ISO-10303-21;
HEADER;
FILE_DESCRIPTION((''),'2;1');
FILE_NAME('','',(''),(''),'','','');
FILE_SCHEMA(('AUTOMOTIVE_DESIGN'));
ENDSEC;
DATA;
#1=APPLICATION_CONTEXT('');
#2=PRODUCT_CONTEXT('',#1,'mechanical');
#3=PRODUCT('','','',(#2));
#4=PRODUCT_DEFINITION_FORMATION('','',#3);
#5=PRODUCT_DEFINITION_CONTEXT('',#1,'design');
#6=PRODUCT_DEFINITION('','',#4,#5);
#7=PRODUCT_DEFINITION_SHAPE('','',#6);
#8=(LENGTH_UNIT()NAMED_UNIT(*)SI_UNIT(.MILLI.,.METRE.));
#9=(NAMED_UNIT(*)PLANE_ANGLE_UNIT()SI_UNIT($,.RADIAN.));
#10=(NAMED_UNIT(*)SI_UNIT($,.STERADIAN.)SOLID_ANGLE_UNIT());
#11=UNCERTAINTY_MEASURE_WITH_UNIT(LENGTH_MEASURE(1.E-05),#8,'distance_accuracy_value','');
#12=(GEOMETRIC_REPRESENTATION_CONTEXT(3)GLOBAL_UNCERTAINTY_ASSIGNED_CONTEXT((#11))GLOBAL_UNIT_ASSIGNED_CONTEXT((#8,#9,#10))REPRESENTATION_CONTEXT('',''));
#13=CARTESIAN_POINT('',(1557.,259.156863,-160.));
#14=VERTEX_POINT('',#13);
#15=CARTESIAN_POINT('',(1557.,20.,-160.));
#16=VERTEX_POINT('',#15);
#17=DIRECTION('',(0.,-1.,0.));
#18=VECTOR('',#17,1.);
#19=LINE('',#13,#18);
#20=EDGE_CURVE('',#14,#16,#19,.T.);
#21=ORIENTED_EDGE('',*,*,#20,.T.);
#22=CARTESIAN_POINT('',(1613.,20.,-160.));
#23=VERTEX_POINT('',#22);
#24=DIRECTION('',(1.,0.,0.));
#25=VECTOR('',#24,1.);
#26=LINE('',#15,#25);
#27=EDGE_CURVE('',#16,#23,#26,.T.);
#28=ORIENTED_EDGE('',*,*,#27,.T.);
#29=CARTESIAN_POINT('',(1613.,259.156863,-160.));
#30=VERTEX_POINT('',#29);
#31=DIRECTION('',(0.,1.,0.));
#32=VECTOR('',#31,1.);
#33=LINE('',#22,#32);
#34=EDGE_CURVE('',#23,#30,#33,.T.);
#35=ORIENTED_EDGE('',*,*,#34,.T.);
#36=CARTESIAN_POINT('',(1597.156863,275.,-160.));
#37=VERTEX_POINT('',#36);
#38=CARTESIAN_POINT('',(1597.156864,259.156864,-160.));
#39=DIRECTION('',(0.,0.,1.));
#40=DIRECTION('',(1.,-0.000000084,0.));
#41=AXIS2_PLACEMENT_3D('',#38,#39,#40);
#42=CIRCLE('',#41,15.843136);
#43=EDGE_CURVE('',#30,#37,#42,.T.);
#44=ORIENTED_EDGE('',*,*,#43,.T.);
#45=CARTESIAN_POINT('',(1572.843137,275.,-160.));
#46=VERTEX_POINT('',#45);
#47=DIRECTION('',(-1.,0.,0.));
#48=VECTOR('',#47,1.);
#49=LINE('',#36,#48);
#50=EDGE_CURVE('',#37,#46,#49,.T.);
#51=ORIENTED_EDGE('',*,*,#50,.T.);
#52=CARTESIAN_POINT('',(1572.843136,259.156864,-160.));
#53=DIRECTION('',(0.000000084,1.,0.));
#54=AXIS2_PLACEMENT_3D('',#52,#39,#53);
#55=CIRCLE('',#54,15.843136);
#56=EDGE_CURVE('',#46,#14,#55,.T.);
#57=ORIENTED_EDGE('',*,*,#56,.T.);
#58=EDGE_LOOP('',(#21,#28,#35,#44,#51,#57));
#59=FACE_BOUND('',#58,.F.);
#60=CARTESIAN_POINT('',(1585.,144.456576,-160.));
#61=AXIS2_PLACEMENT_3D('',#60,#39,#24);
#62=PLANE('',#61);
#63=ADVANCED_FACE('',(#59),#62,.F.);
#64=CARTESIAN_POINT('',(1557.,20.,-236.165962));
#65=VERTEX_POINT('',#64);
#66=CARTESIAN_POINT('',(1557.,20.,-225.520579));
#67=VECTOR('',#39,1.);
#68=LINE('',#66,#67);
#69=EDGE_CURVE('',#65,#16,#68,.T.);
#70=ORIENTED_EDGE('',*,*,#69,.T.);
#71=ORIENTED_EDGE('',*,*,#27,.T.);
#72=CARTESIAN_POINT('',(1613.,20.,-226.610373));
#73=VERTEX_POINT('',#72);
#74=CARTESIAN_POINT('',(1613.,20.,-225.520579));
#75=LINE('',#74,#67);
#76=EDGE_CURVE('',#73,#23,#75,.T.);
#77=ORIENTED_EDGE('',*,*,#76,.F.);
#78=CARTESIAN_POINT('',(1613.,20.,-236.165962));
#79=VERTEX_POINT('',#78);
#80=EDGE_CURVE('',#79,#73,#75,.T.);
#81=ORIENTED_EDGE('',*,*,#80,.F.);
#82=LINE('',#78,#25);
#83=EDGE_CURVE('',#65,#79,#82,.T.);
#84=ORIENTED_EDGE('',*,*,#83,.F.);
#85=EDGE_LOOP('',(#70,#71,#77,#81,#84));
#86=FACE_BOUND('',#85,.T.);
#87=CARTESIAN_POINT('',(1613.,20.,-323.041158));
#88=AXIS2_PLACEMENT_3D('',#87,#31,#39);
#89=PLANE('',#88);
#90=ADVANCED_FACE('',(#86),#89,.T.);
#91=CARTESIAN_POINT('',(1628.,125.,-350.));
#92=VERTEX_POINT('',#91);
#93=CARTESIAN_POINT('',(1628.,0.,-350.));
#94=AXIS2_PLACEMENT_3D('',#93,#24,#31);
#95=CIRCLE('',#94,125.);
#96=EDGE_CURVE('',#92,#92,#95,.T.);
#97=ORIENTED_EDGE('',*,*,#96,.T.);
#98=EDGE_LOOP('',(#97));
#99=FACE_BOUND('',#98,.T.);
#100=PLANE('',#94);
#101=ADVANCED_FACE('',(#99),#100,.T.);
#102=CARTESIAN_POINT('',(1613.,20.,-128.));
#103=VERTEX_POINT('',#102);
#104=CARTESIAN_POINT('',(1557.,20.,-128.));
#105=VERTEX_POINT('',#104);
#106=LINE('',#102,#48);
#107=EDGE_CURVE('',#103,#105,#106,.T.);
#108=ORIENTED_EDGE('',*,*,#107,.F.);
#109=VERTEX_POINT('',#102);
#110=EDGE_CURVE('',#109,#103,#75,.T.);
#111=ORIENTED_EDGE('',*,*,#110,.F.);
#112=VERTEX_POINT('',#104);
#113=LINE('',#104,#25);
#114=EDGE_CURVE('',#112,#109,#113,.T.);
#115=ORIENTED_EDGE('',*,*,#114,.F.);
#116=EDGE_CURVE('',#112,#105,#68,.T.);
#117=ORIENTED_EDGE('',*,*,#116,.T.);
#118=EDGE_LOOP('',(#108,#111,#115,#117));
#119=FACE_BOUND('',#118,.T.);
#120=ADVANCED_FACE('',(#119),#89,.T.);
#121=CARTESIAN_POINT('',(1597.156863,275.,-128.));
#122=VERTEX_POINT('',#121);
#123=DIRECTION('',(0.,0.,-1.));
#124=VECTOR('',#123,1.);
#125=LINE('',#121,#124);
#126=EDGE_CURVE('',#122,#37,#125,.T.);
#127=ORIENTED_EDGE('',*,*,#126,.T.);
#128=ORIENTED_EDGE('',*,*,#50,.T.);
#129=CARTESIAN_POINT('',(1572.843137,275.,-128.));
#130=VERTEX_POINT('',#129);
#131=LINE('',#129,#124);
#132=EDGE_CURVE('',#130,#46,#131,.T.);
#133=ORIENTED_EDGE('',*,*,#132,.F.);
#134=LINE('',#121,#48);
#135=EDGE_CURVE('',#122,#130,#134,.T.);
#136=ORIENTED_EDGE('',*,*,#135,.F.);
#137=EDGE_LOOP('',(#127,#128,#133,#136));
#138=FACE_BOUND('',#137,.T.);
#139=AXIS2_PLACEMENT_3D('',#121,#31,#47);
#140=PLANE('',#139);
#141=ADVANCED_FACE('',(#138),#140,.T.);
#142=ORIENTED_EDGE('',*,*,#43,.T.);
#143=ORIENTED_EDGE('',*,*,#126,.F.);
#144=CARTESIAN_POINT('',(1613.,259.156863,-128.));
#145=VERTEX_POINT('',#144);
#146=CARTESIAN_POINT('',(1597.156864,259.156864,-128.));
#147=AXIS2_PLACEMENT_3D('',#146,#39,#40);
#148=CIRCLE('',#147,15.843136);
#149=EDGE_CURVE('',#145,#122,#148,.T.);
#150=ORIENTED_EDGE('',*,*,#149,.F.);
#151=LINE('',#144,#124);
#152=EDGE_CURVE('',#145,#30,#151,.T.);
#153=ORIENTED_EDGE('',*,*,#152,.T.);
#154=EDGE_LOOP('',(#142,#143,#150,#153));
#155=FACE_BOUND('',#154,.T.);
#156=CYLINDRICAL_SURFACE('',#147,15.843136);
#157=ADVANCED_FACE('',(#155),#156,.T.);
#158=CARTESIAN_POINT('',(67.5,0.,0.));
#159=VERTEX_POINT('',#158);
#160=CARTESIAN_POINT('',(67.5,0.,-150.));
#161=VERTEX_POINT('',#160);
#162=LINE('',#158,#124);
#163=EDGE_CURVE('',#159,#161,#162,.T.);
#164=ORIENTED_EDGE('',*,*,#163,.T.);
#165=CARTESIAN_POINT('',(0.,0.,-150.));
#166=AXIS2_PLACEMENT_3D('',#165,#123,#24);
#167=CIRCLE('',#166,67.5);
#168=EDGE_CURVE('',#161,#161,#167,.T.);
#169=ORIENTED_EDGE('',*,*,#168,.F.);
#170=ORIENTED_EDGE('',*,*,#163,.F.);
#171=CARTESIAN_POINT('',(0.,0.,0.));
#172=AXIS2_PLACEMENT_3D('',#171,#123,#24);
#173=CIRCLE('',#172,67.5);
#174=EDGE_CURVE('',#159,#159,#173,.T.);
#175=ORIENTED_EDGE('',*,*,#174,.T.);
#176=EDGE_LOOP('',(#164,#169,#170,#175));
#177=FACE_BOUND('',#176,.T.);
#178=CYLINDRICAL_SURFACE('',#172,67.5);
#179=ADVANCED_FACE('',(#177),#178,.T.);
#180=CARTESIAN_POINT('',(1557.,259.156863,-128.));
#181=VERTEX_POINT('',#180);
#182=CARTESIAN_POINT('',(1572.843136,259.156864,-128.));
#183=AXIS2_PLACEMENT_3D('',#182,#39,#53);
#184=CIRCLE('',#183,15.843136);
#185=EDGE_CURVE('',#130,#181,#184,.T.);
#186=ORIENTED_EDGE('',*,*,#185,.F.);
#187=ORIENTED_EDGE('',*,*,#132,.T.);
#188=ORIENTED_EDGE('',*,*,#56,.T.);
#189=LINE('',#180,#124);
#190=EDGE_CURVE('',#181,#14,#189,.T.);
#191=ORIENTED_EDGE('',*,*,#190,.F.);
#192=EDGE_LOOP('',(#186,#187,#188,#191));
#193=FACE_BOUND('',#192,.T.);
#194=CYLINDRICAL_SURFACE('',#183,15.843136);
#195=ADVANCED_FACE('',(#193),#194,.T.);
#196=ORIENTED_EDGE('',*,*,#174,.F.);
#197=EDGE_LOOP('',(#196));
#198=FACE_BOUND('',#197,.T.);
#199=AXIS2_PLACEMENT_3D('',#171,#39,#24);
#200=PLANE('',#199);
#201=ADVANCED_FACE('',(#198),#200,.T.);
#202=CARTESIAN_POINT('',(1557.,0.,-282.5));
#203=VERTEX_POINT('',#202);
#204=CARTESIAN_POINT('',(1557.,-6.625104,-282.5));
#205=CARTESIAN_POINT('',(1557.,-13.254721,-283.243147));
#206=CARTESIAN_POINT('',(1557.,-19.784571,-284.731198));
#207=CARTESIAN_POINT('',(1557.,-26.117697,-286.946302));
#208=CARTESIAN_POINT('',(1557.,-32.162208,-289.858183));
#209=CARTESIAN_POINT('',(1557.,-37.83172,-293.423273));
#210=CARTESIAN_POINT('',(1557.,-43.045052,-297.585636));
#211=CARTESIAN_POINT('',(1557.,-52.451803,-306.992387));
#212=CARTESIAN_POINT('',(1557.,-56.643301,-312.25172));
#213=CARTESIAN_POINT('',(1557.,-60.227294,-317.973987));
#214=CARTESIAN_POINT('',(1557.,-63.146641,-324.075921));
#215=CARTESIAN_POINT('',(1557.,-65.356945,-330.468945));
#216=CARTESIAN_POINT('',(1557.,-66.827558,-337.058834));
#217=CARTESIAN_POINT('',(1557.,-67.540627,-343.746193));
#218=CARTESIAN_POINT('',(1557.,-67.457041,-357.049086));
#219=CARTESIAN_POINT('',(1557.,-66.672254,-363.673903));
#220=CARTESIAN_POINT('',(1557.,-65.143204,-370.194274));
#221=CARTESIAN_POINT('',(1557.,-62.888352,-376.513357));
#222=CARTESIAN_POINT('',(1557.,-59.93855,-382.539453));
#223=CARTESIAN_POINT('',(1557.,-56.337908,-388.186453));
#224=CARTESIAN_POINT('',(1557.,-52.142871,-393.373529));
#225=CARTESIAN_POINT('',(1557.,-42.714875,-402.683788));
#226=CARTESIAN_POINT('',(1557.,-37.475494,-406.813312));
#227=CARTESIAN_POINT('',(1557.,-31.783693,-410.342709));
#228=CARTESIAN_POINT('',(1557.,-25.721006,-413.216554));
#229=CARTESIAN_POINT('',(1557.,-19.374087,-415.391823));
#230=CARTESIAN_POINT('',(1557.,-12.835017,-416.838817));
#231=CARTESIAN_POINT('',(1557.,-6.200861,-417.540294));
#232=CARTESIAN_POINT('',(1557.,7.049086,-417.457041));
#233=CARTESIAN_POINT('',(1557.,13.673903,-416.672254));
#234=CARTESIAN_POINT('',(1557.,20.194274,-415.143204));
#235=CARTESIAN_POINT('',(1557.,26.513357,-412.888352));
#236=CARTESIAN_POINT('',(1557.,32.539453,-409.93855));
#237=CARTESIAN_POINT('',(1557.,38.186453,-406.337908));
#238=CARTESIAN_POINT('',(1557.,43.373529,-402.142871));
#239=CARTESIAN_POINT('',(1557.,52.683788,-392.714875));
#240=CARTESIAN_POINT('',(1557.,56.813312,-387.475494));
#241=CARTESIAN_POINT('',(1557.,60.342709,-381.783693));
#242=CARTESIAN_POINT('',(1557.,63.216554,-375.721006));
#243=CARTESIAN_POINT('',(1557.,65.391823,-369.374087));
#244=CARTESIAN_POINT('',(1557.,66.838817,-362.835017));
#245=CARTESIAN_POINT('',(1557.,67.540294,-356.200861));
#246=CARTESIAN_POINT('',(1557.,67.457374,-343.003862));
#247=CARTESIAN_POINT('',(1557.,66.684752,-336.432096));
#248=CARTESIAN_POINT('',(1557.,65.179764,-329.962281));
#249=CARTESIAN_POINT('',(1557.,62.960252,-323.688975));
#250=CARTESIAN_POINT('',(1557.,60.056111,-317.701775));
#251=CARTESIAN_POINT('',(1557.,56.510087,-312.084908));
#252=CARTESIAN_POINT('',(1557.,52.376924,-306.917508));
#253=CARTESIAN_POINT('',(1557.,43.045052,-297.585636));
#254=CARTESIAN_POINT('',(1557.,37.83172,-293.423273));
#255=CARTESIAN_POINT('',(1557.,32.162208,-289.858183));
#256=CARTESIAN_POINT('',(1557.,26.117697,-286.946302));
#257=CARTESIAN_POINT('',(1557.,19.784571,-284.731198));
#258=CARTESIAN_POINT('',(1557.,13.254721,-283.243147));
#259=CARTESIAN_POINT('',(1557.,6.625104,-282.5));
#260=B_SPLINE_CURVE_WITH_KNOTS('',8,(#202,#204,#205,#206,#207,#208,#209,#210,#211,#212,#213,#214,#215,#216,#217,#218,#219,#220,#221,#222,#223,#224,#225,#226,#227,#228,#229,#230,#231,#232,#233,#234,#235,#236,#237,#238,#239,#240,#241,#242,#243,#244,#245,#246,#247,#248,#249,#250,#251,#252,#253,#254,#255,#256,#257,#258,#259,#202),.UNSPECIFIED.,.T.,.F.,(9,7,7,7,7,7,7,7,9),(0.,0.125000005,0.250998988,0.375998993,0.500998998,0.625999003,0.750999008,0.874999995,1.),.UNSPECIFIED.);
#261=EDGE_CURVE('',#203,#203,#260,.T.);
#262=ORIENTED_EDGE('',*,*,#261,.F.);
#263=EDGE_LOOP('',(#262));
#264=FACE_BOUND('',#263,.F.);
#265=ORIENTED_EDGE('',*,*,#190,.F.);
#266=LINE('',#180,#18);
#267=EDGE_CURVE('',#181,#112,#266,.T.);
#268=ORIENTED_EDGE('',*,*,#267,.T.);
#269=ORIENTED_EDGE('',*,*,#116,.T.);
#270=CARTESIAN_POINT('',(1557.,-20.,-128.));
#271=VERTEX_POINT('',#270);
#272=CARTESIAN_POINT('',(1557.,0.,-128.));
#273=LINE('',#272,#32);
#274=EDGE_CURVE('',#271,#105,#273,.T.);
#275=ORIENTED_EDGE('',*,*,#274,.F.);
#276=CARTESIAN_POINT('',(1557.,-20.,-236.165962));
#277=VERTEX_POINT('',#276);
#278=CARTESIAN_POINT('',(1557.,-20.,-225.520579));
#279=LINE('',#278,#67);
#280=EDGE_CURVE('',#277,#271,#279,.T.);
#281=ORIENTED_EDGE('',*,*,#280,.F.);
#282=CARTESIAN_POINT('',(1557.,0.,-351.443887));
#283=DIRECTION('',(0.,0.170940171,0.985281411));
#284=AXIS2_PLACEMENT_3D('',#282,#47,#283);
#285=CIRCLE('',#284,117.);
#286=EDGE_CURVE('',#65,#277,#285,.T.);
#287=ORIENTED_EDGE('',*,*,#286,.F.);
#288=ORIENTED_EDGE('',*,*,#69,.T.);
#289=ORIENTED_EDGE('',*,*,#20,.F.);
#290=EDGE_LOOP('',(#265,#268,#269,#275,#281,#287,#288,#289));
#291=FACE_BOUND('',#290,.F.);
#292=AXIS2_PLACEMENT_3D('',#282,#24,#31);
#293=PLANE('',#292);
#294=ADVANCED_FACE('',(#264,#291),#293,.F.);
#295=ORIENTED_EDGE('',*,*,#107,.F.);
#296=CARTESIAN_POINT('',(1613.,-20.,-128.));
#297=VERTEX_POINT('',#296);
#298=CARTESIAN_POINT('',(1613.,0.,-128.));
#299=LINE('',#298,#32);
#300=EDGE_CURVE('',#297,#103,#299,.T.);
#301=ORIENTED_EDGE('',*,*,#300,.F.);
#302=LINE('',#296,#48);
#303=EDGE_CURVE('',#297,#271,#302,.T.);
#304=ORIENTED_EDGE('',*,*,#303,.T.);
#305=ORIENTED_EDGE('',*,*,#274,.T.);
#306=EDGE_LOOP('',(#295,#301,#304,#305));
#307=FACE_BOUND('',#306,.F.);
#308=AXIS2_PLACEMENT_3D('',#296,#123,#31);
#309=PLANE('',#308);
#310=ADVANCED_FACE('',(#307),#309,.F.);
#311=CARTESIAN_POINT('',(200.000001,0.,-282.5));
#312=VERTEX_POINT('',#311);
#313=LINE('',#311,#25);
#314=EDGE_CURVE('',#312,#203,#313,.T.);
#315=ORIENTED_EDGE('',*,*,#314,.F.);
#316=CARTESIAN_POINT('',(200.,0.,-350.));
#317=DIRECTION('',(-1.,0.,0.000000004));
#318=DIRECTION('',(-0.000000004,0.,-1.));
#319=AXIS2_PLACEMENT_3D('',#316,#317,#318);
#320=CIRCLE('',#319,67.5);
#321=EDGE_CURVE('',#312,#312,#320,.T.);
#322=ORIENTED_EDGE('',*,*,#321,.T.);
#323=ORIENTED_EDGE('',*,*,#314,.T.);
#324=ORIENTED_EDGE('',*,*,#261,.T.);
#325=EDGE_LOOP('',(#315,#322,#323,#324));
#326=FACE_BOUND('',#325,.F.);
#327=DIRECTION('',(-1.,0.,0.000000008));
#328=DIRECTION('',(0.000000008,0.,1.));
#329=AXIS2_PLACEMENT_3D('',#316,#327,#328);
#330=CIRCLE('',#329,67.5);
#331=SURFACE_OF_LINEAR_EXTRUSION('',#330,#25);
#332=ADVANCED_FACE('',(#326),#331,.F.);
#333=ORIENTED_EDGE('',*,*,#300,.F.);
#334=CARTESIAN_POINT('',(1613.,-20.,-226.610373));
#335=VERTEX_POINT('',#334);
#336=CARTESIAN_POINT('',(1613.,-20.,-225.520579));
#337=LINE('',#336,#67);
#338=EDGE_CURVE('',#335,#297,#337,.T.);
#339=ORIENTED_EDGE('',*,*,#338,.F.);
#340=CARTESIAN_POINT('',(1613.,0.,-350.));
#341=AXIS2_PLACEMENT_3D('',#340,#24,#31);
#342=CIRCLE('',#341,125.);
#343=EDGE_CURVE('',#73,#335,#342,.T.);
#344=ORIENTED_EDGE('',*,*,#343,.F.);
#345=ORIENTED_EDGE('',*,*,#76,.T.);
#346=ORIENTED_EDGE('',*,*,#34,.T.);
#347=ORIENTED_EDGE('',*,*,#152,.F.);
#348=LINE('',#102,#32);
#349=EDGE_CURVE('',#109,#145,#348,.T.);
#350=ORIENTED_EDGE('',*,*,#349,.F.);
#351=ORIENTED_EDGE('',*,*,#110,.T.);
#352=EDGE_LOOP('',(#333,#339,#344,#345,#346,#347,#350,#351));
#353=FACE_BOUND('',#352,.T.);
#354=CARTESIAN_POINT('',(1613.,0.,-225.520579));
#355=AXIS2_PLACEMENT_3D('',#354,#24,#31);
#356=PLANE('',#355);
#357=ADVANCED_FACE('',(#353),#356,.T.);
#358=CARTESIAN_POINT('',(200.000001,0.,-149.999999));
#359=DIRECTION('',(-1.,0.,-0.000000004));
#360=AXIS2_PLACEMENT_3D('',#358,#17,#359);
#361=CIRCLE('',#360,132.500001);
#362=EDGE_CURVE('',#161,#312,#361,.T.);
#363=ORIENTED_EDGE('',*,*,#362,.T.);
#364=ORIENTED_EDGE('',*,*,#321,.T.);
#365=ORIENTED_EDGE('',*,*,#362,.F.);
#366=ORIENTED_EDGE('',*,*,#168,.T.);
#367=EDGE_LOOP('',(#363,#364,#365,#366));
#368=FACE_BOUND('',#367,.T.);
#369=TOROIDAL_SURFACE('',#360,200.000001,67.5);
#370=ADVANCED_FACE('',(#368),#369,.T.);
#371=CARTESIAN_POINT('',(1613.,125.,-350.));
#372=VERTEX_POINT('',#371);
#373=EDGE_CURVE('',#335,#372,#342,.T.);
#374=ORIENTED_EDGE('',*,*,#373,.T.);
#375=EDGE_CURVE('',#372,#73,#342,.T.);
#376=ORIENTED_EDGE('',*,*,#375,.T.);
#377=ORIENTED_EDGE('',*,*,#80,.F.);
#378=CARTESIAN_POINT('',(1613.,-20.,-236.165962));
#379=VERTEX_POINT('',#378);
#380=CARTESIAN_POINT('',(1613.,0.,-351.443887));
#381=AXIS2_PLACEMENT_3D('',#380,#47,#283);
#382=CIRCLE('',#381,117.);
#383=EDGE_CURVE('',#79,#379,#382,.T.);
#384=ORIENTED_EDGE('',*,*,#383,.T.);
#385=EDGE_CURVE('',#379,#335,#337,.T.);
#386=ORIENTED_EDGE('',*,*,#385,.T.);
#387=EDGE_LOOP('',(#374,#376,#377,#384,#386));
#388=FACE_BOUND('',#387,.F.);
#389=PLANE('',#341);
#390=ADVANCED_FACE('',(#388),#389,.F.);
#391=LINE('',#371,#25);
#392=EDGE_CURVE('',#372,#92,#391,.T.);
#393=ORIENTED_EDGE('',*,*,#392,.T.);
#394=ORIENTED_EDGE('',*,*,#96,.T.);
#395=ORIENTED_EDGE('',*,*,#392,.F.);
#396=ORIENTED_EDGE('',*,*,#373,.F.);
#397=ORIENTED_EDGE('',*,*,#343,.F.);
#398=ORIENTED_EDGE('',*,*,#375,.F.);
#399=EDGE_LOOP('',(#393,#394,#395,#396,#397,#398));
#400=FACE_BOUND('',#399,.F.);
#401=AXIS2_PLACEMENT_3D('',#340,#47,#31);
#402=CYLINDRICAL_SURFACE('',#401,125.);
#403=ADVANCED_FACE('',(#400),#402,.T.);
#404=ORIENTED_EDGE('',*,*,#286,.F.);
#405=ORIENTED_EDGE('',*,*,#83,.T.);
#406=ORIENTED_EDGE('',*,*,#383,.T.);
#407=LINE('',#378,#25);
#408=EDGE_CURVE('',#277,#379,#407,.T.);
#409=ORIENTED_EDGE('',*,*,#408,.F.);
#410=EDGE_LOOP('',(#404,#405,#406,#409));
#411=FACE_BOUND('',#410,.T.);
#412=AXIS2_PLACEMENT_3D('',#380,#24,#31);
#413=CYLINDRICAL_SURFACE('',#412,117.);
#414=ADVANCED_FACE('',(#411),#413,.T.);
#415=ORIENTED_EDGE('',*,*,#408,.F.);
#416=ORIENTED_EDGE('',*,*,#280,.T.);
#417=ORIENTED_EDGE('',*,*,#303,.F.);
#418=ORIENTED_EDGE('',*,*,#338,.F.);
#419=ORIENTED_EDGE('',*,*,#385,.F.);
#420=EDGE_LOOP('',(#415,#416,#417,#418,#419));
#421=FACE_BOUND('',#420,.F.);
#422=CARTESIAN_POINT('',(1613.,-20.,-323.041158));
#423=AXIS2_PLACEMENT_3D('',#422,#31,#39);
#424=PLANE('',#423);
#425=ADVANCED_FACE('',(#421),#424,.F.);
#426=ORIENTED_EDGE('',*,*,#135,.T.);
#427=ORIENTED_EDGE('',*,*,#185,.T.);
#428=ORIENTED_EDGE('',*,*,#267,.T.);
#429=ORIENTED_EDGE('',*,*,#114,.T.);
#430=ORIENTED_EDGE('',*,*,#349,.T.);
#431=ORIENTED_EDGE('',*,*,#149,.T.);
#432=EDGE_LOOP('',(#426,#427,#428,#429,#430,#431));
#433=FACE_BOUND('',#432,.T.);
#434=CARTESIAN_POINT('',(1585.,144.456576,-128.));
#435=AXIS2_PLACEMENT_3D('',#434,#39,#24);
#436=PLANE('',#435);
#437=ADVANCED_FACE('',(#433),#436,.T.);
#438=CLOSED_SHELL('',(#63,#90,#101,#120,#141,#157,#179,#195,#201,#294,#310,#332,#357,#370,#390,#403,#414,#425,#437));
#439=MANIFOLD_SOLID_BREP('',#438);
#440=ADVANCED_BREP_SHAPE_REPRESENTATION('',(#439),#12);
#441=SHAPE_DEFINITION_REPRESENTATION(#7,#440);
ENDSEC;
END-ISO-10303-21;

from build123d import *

# Parameters (mm, degrees)
F3_R      = 125
F4_DEPTH  = 15
F0_R      = 67.5
F6_R      = 117
F7_DEPTH  = 56
F8_W      = 40
F8_H      = 195.041159
F9_DEPTH  = 56
F11_DEPTH = 32


with BuildPart() as f4:
    # F3 (on offset) → F4 (new body)
    with BuildSketch(Plane.YZ.offset(1613)):
        with Locations((0, -350)):
            Circle(F3_R)
    extrude(amount=F4_DEPTH)

    # F5: sweep along a path in F1
    with BuildLine(Plane.XZ) as f5_path:
        Line((0, 0), (0, -150))
        ThreePointArc((0, -150), (58.578644, -291.421356), (200, -350))
        Line((200, -350), (1613, -350))
    # F0 (on Top) → F5 (sweep)
    with BuildSketch(Plane.XY):
        Circle(F0_R)
    sweep(path=f5_path.line)

    # F6 (on offset) → F7 (join)
    with BuildSketch(Plane.YZ.offset(1613)):
        with Locations((0, -351.443887)):
            Circle(F6_R)
    extrude(amount=-F7_DEPTH)

    # F8 (on offset) → F9 (join)
    with BuildSketch(Plane.YZ.offset(1613)):
        with Locations((0, -225.520579)):
            Rectangle(F8_W, F8_H)
    extrude(amount=-F9_DEPTH)

    # F10 (on face) → F11 (join)
    with BuildSketch(Plane.XY.offset(-128)):
        with BuildLine():
            Line((1557, 259.156863), (1557, 20))
            Line((1557, 20), (1613, 20))
            Line((1613, 20), (1613, 259.156863))
            ThreePointArc((1613, 259.156863), (1608.359653, 270.359653), (1597.156863, 275))
            Line((1597.156863, 275), (1572.843137, 275))
            ThreePointArc((1572.843137, 275), (1561.640347, 270.359653), (1557, 259.156863))
        make_face()
    extrude(amount=-F11_DEPTH)


solid = f4.part
